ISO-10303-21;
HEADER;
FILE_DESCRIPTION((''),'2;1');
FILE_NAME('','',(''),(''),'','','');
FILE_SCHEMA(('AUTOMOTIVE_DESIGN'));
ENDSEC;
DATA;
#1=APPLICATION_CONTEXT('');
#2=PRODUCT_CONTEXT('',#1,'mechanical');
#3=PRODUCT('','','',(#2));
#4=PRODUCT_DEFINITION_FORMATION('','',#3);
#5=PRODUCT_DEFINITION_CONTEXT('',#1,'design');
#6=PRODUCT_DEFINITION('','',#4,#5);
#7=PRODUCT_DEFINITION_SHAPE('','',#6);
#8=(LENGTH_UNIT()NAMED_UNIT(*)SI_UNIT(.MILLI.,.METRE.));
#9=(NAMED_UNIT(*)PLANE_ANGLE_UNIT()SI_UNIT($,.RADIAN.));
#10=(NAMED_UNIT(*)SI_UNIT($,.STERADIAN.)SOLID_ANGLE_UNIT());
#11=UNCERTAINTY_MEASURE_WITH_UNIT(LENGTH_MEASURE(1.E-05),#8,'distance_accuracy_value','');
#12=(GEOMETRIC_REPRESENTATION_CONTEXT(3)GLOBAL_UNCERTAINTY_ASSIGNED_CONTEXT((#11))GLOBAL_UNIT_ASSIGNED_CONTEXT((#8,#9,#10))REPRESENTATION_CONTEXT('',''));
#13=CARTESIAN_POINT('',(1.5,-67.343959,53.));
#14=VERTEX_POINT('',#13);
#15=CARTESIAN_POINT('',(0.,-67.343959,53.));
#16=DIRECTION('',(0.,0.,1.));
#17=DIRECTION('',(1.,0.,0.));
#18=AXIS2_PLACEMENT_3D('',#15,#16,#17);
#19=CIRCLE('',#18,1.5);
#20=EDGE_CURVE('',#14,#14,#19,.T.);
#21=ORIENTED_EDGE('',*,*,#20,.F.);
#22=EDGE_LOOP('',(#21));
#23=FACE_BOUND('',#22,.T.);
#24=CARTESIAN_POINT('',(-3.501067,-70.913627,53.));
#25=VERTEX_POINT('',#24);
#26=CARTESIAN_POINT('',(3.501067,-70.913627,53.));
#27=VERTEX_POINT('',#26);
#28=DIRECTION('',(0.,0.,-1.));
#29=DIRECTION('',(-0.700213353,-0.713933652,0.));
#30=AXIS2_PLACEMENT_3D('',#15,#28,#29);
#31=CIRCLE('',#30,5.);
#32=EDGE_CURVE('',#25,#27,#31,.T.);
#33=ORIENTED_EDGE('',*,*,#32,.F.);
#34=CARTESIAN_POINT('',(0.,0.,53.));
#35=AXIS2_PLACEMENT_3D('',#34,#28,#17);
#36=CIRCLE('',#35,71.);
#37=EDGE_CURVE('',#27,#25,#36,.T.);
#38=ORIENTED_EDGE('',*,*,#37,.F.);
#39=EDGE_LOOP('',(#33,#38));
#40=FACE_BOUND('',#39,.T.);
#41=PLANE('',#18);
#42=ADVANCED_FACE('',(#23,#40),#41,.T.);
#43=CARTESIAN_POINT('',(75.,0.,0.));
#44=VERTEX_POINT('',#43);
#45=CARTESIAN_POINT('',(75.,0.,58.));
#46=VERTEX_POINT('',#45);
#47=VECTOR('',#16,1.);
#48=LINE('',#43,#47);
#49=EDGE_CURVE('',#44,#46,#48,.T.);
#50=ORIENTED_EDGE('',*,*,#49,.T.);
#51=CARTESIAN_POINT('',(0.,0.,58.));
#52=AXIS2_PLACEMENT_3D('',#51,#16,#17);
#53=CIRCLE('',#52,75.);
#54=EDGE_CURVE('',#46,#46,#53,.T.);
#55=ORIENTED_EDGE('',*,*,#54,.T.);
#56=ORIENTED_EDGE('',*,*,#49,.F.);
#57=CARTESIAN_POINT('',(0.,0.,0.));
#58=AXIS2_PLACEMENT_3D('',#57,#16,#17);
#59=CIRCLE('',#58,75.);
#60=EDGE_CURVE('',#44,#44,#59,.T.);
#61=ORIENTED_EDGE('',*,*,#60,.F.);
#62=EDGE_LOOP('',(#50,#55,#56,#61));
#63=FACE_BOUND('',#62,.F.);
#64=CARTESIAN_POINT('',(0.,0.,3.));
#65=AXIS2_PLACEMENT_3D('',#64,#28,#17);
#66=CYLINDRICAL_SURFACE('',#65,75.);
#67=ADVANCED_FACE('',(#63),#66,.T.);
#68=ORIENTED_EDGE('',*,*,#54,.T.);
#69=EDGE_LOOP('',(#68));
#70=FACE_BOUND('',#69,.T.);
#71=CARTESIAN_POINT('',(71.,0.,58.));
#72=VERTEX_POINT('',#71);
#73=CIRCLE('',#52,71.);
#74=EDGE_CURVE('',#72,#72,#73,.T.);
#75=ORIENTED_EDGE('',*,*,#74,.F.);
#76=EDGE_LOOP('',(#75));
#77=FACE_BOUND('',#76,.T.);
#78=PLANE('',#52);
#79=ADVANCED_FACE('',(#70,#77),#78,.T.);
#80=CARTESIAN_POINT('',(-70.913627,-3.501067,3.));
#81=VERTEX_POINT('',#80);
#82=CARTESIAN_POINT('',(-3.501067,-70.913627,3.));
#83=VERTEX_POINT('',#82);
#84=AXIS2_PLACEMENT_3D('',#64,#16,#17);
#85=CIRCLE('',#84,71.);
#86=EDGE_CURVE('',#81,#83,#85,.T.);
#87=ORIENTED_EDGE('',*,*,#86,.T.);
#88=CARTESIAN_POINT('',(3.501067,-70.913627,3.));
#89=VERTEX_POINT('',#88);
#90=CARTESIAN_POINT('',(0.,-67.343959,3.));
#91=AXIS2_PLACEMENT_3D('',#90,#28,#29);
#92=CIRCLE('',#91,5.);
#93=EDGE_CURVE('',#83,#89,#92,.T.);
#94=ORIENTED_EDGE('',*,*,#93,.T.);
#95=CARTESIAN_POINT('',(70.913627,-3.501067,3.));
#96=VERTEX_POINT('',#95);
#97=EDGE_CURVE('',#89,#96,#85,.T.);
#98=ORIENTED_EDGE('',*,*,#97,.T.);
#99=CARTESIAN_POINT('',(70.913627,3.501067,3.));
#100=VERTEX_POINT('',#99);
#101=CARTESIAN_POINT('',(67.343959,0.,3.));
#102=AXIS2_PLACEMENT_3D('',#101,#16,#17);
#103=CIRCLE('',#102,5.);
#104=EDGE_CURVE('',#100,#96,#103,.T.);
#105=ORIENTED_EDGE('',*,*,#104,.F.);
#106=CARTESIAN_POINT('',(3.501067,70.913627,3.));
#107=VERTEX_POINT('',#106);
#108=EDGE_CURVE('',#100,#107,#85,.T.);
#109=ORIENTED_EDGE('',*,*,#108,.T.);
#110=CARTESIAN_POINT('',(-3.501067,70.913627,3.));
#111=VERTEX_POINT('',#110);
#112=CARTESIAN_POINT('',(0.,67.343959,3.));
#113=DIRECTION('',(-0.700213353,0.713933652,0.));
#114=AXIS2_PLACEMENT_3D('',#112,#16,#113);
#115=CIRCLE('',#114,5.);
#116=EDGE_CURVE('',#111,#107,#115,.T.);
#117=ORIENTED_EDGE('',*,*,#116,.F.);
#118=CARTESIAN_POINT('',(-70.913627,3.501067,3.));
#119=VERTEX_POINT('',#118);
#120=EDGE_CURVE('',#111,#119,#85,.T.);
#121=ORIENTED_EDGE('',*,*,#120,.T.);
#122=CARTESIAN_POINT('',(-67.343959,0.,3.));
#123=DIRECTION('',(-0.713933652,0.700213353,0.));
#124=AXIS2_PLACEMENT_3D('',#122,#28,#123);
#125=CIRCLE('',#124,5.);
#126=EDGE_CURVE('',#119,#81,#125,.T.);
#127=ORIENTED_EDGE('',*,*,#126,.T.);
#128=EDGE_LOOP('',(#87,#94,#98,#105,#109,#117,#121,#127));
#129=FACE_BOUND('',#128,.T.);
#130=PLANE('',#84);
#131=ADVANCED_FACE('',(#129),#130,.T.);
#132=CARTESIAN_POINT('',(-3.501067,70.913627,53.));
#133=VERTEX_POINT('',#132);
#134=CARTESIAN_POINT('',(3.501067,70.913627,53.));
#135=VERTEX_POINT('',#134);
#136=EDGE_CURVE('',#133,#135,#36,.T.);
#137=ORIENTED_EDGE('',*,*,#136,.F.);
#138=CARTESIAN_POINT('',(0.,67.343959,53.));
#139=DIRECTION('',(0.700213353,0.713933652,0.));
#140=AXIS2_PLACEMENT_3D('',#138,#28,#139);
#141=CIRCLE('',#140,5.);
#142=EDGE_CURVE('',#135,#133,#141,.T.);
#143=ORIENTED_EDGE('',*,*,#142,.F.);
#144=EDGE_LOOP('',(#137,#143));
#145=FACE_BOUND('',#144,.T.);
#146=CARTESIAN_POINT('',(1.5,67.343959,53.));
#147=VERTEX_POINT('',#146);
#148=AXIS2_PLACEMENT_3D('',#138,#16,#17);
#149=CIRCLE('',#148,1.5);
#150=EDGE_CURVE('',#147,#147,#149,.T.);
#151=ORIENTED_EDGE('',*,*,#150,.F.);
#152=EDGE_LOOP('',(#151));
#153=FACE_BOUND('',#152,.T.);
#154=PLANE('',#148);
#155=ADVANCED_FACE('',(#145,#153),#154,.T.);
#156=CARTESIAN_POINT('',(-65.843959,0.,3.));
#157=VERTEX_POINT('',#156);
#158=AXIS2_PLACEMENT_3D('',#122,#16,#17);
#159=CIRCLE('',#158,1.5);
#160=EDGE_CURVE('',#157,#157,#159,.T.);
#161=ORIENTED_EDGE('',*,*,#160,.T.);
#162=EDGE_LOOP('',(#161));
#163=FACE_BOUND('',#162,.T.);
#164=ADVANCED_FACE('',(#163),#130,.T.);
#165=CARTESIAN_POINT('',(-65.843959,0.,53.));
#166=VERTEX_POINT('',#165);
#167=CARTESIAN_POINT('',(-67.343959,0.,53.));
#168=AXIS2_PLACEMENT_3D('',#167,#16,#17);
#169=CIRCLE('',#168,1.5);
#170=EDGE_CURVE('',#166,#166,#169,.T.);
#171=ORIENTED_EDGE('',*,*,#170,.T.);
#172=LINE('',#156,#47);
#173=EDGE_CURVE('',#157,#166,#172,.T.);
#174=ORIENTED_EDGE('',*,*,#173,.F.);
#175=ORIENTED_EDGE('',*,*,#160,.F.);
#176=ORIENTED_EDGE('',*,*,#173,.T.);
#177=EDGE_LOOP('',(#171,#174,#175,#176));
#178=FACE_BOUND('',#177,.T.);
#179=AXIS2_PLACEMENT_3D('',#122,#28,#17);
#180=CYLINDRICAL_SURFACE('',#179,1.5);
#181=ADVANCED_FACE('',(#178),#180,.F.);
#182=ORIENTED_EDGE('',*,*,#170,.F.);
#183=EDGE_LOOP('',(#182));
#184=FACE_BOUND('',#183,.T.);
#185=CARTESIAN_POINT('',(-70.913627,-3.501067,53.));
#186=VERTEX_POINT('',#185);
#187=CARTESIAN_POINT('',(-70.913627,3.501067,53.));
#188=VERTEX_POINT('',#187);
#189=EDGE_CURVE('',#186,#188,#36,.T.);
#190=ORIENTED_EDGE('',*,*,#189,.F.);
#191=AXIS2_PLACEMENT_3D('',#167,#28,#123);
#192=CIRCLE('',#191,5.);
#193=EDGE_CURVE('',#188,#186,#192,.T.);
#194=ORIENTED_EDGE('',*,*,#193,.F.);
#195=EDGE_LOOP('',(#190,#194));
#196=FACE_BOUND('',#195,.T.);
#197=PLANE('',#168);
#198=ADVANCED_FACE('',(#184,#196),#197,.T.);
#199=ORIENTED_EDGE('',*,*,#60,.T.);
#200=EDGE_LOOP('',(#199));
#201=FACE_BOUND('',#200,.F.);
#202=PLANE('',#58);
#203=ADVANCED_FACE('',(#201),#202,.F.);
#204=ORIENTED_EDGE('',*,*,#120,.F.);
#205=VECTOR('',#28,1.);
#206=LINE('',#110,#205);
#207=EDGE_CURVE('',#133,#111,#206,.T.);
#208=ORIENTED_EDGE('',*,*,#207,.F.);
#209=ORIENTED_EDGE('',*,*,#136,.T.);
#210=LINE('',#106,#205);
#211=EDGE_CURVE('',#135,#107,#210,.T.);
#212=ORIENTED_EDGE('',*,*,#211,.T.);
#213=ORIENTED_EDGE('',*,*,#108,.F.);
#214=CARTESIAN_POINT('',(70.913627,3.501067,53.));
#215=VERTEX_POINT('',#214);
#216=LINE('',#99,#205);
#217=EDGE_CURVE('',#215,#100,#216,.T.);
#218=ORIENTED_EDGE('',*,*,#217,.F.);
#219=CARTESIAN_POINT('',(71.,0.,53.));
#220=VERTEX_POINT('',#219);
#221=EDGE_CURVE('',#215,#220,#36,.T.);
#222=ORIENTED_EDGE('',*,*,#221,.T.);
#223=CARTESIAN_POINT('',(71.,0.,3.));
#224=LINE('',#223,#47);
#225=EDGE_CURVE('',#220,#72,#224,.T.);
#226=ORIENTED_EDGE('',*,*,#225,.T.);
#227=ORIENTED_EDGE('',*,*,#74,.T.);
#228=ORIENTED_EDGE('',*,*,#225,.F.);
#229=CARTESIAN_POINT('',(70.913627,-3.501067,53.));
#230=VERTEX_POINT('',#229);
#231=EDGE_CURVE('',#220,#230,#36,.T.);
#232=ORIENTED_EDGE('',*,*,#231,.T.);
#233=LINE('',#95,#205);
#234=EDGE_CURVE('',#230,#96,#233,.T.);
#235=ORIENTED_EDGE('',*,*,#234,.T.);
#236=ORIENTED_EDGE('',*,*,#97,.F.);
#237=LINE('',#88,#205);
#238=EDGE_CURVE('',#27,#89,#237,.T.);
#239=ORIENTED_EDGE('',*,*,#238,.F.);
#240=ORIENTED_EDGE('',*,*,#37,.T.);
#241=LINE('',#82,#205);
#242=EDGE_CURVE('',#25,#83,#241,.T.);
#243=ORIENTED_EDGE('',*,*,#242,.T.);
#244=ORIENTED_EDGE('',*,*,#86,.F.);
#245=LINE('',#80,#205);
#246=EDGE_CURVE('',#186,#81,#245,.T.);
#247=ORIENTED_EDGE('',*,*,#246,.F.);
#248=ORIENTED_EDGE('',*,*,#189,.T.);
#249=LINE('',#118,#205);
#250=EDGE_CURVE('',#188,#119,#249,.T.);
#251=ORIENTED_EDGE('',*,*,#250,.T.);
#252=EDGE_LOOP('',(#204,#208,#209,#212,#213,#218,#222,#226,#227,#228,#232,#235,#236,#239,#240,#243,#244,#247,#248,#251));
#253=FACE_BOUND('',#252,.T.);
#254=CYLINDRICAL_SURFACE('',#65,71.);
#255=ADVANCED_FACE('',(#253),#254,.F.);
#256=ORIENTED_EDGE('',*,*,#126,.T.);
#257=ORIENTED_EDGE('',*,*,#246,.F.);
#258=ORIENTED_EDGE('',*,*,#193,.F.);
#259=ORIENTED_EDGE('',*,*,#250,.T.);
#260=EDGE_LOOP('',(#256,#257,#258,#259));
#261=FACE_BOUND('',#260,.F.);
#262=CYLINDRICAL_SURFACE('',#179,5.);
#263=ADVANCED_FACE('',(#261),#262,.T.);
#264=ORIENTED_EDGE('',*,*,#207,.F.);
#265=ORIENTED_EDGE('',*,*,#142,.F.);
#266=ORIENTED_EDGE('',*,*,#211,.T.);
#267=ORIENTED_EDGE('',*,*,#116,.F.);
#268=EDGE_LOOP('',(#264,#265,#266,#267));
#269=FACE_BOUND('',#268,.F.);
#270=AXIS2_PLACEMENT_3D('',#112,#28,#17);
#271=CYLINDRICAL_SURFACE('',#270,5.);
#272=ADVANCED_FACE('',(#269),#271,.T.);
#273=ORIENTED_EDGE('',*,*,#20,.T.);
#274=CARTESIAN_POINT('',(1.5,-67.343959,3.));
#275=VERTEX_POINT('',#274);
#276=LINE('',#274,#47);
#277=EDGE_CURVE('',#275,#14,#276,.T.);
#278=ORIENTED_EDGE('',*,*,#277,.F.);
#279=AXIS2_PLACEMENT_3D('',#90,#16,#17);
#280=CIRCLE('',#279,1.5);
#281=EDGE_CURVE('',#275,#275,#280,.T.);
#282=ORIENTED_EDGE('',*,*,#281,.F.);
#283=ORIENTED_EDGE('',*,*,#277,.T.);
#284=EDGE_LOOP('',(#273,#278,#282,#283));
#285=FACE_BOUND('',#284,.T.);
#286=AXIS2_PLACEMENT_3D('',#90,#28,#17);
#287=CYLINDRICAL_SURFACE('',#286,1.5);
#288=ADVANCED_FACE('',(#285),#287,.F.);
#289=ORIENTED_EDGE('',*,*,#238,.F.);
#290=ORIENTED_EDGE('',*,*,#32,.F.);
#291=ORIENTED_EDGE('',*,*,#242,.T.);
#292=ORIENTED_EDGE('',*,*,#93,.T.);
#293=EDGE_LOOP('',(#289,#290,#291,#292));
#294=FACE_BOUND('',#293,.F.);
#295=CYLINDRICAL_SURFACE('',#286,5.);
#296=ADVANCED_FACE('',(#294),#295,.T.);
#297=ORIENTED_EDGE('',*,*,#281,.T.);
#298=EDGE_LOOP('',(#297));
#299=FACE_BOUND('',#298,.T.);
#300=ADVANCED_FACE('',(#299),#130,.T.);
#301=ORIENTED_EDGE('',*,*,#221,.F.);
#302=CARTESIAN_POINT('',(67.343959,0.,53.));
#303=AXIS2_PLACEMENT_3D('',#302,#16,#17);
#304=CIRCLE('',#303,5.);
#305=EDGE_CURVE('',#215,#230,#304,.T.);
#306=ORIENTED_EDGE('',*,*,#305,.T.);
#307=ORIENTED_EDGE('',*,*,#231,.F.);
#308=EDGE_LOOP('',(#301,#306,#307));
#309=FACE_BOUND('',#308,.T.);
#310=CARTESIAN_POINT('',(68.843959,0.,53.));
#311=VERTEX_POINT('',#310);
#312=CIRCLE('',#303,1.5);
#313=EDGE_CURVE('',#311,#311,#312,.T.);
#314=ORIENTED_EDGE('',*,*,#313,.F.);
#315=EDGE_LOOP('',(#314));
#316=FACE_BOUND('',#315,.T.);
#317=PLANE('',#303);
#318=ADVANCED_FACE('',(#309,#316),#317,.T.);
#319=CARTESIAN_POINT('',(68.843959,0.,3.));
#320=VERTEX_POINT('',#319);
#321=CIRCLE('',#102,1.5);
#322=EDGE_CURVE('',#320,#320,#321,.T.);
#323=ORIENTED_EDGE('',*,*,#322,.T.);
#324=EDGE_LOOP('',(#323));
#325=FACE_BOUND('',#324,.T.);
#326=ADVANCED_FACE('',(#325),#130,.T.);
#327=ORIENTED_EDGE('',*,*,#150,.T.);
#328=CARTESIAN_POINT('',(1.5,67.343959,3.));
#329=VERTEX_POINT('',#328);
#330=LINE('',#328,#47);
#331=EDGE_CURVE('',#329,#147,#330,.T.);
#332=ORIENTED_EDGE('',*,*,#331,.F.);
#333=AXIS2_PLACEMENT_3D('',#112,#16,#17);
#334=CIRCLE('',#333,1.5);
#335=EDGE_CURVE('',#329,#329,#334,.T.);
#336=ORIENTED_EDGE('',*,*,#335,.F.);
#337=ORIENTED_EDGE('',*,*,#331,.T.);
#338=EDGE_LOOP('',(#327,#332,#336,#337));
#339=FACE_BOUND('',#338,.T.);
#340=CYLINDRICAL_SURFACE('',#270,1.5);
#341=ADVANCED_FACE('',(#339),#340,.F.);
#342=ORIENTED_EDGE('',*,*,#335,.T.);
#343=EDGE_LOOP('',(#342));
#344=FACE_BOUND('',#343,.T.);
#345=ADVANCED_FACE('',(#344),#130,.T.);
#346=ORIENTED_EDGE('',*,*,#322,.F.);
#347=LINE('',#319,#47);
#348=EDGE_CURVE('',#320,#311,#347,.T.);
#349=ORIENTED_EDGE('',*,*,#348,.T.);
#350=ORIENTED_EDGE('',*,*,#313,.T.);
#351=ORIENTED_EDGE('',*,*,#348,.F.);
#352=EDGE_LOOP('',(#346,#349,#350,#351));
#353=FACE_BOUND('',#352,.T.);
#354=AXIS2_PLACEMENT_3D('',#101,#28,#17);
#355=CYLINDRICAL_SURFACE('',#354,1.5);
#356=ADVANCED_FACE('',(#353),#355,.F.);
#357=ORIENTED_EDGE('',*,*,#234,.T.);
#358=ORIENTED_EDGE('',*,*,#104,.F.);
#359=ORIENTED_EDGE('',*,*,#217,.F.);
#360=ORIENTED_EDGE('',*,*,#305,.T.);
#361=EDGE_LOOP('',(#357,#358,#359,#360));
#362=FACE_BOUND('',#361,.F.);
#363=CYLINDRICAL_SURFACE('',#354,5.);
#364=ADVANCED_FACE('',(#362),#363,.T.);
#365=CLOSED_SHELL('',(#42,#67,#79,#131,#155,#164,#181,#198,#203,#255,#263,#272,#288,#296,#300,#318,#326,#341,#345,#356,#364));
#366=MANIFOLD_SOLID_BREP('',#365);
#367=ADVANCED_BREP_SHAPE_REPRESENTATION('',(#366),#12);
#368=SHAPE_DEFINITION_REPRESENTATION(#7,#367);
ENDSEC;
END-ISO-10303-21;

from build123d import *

# Parameters (mm, degrees)
F0_R     = 75
F1_DEPTH = 3
F2_R     = 75
F2_R_2   = 71
F3_DEPTH = 55
F4_R     = 5
F4_R_2   = 1.5
F5_DEPTH = 50


with BuildPart() as f1:
    # F0 (on Top) → F1 (new body)
    with BuildSketch(Plane.XY):
        Circle(F0_R)
    extrude(amount=F1_DEPTH)

    # F2 (on face) → F3 (join)
    with BuildSketch(Plane.XY.offset(3)):
        Circle(F2_R)
        Circle(F2_R_2, mode=Mode.SUBTRACT)
    extrude(amount=F3_DEPTH)

    # F4 (on face) → F5 (join)
    with BuildSketch(Plane.XY.offset(3)):
        with Locations((0, 67.343959)):
            Circle(F4_R)
        with Locations((0, 67.343959)):
            Circle(F4_R_2, mode=Mode.SUBTRACT)
        with Locations((-67.343959, 0)):
            Circle(F4_R)
        with Locations((-67.343959, 0)):
            Circle(F4_R_2, mode=Mode.SUBTRACT)
        with Locations((0, -67.343959)):
            Circle(F4_R)
        with Locations((0, -67.343959)):
            Circle(F4_R_2, mode=Mode.SUBTRACT)
        with Locations((67.343959, 0)):
            Circle(F4_R)
        with Locations((67.343959, 0)):
            Circle(F4_R_2, mode=Mode.SUBTRACT)
    extrude(amount=F5_DEPTH)


solid = f1.part
